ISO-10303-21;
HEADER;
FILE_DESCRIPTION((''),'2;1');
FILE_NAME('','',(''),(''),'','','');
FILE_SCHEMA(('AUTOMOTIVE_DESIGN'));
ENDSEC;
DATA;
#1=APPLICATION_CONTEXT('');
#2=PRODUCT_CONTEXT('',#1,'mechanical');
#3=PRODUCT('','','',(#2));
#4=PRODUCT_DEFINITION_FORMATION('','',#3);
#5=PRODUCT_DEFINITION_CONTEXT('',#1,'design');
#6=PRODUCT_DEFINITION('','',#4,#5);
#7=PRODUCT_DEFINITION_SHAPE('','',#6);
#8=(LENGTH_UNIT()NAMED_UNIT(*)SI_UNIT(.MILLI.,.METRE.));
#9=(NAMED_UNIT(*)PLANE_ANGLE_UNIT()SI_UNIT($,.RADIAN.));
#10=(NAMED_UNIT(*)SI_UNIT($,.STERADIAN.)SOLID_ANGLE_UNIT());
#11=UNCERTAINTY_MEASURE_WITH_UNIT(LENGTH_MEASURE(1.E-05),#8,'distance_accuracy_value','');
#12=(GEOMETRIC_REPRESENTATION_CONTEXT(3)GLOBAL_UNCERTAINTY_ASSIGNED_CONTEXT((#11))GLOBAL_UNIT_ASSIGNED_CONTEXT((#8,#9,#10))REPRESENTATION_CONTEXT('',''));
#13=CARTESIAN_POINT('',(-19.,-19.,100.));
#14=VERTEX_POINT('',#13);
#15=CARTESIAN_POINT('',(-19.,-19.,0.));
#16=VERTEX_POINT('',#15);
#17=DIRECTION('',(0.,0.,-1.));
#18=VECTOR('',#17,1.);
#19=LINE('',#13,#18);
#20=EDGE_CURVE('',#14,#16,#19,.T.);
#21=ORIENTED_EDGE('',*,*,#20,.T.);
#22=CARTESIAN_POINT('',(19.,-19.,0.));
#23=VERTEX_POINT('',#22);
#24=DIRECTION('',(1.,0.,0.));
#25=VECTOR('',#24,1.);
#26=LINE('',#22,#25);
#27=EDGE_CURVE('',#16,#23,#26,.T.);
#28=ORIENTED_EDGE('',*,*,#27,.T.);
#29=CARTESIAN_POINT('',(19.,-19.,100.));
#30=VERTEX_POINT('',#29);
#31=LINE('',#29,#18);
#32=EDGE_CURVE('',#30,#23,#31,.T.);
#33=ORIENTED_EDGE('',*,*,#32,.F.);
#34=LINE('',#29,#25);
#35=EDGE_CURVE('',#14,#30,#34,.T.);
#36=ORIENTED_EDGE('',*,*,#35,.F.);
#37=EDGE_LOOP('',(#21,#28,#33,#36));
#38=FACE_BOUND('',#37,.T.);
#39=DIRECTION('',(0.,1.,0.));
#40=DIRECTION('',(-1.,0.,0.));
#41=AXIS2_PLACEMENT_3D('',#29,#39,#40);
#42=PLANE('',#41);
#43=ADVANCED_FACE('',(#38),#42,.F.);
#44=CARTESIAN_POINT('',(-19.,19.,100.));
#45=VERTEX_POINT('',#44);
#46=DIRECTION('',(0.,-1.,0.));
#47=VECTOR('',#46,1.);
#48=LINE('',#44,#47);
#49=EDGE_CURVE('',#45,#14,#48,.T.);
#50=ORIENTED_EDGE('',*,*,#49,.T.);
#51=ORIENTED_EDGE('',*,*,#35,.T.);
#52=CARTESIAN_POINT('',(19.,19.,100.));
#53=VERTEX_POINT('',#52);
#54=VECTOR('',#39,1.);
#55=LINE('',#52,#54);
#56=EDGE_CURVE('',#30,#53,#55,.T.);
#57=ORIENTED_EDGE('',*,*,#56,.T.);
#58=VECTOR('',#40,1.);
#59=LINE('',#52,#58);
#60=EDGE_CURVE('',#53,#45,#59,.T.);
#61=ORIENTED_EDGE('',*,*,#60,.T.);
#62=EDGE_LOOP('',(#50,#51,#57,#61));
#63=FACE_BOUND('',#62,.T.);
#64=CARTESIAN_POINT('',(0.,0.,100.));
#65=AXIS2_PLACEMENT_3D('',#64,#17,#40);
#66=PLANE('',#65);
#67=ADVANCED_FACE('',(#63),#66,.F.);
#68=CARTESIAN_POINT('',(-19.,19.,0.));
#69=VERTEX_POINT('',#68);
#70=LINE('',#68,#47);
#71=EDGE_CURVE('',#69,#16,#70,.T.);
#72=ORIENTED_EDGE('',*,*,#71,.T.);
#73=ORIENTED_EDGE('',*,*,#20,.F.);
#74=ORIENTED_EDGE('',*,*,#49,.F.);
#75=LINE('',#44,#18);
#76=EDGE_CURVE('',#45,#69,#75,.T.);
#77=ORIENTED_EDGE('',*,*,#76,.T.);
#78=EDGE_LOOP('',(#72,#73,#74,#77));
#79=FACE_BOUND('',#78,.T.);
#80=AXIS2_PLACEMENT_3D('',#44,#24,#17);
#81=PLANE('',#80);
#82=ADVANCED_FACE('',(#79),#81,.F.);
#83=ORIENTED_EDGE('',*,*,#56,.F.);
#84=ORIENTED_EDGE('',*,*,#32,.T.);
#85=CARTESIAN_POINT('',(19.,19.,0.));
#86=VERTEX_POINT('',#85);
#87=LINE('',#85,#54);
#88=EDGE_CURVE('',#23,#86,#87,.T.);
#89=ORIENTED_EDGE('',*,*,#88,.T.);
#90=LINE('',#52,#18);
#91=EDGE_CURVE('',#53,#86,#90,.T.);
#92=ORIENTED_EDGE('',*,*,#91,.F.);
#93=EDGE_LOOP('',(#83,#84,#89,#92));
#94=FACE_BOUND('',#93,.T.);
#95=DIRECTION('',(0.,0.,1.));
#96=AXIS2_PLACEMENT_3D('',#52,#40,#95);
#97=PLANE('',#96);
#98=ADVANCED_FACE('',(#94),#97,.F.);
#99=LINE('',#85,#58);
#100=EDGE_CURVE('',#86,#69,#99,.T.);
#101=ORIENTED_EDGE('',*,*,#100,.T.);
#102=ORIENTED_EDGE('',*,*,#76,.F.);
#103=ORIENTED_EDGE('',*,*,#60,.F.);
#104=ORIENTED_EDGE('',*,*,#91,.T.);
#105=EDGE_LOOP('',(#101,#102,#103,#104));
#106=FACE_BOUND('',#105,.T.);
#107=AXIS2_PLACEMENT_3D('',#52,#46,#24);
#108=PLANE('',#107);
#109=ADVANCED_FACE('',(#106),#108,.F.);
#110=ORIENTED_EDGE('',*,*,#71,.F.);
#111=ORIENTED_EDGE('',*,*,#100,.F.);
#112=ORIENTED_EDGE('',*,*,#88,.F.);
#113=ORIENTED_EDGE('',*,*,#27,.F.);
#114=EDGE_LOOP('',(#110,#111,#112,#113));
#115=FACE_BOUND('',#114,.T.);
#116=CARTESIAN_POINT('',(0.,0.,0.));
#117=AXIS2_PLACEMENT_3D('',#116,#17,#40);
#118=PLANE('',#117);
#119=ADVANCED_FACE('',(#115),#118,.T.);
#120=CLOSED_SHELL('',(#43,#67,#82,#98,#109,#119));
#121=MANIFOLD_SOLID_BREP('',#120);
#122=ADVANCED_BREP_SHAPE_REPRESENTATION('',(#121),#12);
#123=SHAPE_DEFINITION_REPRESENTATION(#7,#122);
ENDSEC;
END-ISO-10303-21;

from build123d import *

# Parameters (mm, degrees)
SKETCH_1_W      = 38
SKETCH_1_H      = 38
EXTRUDE_1_DEPTH = 100


with BuildPart() as part:
    # ｽｹｯﾁ1 → ﾎﾞｽ - 押し出し1 (new body)
    with BuildSketch(Plane.XY):
        Rectangle(SKETCH_1_W, SKETCH_1_H)
    extrude(amount=EXTRUDE_1_DEPTH)


solid = part.part
